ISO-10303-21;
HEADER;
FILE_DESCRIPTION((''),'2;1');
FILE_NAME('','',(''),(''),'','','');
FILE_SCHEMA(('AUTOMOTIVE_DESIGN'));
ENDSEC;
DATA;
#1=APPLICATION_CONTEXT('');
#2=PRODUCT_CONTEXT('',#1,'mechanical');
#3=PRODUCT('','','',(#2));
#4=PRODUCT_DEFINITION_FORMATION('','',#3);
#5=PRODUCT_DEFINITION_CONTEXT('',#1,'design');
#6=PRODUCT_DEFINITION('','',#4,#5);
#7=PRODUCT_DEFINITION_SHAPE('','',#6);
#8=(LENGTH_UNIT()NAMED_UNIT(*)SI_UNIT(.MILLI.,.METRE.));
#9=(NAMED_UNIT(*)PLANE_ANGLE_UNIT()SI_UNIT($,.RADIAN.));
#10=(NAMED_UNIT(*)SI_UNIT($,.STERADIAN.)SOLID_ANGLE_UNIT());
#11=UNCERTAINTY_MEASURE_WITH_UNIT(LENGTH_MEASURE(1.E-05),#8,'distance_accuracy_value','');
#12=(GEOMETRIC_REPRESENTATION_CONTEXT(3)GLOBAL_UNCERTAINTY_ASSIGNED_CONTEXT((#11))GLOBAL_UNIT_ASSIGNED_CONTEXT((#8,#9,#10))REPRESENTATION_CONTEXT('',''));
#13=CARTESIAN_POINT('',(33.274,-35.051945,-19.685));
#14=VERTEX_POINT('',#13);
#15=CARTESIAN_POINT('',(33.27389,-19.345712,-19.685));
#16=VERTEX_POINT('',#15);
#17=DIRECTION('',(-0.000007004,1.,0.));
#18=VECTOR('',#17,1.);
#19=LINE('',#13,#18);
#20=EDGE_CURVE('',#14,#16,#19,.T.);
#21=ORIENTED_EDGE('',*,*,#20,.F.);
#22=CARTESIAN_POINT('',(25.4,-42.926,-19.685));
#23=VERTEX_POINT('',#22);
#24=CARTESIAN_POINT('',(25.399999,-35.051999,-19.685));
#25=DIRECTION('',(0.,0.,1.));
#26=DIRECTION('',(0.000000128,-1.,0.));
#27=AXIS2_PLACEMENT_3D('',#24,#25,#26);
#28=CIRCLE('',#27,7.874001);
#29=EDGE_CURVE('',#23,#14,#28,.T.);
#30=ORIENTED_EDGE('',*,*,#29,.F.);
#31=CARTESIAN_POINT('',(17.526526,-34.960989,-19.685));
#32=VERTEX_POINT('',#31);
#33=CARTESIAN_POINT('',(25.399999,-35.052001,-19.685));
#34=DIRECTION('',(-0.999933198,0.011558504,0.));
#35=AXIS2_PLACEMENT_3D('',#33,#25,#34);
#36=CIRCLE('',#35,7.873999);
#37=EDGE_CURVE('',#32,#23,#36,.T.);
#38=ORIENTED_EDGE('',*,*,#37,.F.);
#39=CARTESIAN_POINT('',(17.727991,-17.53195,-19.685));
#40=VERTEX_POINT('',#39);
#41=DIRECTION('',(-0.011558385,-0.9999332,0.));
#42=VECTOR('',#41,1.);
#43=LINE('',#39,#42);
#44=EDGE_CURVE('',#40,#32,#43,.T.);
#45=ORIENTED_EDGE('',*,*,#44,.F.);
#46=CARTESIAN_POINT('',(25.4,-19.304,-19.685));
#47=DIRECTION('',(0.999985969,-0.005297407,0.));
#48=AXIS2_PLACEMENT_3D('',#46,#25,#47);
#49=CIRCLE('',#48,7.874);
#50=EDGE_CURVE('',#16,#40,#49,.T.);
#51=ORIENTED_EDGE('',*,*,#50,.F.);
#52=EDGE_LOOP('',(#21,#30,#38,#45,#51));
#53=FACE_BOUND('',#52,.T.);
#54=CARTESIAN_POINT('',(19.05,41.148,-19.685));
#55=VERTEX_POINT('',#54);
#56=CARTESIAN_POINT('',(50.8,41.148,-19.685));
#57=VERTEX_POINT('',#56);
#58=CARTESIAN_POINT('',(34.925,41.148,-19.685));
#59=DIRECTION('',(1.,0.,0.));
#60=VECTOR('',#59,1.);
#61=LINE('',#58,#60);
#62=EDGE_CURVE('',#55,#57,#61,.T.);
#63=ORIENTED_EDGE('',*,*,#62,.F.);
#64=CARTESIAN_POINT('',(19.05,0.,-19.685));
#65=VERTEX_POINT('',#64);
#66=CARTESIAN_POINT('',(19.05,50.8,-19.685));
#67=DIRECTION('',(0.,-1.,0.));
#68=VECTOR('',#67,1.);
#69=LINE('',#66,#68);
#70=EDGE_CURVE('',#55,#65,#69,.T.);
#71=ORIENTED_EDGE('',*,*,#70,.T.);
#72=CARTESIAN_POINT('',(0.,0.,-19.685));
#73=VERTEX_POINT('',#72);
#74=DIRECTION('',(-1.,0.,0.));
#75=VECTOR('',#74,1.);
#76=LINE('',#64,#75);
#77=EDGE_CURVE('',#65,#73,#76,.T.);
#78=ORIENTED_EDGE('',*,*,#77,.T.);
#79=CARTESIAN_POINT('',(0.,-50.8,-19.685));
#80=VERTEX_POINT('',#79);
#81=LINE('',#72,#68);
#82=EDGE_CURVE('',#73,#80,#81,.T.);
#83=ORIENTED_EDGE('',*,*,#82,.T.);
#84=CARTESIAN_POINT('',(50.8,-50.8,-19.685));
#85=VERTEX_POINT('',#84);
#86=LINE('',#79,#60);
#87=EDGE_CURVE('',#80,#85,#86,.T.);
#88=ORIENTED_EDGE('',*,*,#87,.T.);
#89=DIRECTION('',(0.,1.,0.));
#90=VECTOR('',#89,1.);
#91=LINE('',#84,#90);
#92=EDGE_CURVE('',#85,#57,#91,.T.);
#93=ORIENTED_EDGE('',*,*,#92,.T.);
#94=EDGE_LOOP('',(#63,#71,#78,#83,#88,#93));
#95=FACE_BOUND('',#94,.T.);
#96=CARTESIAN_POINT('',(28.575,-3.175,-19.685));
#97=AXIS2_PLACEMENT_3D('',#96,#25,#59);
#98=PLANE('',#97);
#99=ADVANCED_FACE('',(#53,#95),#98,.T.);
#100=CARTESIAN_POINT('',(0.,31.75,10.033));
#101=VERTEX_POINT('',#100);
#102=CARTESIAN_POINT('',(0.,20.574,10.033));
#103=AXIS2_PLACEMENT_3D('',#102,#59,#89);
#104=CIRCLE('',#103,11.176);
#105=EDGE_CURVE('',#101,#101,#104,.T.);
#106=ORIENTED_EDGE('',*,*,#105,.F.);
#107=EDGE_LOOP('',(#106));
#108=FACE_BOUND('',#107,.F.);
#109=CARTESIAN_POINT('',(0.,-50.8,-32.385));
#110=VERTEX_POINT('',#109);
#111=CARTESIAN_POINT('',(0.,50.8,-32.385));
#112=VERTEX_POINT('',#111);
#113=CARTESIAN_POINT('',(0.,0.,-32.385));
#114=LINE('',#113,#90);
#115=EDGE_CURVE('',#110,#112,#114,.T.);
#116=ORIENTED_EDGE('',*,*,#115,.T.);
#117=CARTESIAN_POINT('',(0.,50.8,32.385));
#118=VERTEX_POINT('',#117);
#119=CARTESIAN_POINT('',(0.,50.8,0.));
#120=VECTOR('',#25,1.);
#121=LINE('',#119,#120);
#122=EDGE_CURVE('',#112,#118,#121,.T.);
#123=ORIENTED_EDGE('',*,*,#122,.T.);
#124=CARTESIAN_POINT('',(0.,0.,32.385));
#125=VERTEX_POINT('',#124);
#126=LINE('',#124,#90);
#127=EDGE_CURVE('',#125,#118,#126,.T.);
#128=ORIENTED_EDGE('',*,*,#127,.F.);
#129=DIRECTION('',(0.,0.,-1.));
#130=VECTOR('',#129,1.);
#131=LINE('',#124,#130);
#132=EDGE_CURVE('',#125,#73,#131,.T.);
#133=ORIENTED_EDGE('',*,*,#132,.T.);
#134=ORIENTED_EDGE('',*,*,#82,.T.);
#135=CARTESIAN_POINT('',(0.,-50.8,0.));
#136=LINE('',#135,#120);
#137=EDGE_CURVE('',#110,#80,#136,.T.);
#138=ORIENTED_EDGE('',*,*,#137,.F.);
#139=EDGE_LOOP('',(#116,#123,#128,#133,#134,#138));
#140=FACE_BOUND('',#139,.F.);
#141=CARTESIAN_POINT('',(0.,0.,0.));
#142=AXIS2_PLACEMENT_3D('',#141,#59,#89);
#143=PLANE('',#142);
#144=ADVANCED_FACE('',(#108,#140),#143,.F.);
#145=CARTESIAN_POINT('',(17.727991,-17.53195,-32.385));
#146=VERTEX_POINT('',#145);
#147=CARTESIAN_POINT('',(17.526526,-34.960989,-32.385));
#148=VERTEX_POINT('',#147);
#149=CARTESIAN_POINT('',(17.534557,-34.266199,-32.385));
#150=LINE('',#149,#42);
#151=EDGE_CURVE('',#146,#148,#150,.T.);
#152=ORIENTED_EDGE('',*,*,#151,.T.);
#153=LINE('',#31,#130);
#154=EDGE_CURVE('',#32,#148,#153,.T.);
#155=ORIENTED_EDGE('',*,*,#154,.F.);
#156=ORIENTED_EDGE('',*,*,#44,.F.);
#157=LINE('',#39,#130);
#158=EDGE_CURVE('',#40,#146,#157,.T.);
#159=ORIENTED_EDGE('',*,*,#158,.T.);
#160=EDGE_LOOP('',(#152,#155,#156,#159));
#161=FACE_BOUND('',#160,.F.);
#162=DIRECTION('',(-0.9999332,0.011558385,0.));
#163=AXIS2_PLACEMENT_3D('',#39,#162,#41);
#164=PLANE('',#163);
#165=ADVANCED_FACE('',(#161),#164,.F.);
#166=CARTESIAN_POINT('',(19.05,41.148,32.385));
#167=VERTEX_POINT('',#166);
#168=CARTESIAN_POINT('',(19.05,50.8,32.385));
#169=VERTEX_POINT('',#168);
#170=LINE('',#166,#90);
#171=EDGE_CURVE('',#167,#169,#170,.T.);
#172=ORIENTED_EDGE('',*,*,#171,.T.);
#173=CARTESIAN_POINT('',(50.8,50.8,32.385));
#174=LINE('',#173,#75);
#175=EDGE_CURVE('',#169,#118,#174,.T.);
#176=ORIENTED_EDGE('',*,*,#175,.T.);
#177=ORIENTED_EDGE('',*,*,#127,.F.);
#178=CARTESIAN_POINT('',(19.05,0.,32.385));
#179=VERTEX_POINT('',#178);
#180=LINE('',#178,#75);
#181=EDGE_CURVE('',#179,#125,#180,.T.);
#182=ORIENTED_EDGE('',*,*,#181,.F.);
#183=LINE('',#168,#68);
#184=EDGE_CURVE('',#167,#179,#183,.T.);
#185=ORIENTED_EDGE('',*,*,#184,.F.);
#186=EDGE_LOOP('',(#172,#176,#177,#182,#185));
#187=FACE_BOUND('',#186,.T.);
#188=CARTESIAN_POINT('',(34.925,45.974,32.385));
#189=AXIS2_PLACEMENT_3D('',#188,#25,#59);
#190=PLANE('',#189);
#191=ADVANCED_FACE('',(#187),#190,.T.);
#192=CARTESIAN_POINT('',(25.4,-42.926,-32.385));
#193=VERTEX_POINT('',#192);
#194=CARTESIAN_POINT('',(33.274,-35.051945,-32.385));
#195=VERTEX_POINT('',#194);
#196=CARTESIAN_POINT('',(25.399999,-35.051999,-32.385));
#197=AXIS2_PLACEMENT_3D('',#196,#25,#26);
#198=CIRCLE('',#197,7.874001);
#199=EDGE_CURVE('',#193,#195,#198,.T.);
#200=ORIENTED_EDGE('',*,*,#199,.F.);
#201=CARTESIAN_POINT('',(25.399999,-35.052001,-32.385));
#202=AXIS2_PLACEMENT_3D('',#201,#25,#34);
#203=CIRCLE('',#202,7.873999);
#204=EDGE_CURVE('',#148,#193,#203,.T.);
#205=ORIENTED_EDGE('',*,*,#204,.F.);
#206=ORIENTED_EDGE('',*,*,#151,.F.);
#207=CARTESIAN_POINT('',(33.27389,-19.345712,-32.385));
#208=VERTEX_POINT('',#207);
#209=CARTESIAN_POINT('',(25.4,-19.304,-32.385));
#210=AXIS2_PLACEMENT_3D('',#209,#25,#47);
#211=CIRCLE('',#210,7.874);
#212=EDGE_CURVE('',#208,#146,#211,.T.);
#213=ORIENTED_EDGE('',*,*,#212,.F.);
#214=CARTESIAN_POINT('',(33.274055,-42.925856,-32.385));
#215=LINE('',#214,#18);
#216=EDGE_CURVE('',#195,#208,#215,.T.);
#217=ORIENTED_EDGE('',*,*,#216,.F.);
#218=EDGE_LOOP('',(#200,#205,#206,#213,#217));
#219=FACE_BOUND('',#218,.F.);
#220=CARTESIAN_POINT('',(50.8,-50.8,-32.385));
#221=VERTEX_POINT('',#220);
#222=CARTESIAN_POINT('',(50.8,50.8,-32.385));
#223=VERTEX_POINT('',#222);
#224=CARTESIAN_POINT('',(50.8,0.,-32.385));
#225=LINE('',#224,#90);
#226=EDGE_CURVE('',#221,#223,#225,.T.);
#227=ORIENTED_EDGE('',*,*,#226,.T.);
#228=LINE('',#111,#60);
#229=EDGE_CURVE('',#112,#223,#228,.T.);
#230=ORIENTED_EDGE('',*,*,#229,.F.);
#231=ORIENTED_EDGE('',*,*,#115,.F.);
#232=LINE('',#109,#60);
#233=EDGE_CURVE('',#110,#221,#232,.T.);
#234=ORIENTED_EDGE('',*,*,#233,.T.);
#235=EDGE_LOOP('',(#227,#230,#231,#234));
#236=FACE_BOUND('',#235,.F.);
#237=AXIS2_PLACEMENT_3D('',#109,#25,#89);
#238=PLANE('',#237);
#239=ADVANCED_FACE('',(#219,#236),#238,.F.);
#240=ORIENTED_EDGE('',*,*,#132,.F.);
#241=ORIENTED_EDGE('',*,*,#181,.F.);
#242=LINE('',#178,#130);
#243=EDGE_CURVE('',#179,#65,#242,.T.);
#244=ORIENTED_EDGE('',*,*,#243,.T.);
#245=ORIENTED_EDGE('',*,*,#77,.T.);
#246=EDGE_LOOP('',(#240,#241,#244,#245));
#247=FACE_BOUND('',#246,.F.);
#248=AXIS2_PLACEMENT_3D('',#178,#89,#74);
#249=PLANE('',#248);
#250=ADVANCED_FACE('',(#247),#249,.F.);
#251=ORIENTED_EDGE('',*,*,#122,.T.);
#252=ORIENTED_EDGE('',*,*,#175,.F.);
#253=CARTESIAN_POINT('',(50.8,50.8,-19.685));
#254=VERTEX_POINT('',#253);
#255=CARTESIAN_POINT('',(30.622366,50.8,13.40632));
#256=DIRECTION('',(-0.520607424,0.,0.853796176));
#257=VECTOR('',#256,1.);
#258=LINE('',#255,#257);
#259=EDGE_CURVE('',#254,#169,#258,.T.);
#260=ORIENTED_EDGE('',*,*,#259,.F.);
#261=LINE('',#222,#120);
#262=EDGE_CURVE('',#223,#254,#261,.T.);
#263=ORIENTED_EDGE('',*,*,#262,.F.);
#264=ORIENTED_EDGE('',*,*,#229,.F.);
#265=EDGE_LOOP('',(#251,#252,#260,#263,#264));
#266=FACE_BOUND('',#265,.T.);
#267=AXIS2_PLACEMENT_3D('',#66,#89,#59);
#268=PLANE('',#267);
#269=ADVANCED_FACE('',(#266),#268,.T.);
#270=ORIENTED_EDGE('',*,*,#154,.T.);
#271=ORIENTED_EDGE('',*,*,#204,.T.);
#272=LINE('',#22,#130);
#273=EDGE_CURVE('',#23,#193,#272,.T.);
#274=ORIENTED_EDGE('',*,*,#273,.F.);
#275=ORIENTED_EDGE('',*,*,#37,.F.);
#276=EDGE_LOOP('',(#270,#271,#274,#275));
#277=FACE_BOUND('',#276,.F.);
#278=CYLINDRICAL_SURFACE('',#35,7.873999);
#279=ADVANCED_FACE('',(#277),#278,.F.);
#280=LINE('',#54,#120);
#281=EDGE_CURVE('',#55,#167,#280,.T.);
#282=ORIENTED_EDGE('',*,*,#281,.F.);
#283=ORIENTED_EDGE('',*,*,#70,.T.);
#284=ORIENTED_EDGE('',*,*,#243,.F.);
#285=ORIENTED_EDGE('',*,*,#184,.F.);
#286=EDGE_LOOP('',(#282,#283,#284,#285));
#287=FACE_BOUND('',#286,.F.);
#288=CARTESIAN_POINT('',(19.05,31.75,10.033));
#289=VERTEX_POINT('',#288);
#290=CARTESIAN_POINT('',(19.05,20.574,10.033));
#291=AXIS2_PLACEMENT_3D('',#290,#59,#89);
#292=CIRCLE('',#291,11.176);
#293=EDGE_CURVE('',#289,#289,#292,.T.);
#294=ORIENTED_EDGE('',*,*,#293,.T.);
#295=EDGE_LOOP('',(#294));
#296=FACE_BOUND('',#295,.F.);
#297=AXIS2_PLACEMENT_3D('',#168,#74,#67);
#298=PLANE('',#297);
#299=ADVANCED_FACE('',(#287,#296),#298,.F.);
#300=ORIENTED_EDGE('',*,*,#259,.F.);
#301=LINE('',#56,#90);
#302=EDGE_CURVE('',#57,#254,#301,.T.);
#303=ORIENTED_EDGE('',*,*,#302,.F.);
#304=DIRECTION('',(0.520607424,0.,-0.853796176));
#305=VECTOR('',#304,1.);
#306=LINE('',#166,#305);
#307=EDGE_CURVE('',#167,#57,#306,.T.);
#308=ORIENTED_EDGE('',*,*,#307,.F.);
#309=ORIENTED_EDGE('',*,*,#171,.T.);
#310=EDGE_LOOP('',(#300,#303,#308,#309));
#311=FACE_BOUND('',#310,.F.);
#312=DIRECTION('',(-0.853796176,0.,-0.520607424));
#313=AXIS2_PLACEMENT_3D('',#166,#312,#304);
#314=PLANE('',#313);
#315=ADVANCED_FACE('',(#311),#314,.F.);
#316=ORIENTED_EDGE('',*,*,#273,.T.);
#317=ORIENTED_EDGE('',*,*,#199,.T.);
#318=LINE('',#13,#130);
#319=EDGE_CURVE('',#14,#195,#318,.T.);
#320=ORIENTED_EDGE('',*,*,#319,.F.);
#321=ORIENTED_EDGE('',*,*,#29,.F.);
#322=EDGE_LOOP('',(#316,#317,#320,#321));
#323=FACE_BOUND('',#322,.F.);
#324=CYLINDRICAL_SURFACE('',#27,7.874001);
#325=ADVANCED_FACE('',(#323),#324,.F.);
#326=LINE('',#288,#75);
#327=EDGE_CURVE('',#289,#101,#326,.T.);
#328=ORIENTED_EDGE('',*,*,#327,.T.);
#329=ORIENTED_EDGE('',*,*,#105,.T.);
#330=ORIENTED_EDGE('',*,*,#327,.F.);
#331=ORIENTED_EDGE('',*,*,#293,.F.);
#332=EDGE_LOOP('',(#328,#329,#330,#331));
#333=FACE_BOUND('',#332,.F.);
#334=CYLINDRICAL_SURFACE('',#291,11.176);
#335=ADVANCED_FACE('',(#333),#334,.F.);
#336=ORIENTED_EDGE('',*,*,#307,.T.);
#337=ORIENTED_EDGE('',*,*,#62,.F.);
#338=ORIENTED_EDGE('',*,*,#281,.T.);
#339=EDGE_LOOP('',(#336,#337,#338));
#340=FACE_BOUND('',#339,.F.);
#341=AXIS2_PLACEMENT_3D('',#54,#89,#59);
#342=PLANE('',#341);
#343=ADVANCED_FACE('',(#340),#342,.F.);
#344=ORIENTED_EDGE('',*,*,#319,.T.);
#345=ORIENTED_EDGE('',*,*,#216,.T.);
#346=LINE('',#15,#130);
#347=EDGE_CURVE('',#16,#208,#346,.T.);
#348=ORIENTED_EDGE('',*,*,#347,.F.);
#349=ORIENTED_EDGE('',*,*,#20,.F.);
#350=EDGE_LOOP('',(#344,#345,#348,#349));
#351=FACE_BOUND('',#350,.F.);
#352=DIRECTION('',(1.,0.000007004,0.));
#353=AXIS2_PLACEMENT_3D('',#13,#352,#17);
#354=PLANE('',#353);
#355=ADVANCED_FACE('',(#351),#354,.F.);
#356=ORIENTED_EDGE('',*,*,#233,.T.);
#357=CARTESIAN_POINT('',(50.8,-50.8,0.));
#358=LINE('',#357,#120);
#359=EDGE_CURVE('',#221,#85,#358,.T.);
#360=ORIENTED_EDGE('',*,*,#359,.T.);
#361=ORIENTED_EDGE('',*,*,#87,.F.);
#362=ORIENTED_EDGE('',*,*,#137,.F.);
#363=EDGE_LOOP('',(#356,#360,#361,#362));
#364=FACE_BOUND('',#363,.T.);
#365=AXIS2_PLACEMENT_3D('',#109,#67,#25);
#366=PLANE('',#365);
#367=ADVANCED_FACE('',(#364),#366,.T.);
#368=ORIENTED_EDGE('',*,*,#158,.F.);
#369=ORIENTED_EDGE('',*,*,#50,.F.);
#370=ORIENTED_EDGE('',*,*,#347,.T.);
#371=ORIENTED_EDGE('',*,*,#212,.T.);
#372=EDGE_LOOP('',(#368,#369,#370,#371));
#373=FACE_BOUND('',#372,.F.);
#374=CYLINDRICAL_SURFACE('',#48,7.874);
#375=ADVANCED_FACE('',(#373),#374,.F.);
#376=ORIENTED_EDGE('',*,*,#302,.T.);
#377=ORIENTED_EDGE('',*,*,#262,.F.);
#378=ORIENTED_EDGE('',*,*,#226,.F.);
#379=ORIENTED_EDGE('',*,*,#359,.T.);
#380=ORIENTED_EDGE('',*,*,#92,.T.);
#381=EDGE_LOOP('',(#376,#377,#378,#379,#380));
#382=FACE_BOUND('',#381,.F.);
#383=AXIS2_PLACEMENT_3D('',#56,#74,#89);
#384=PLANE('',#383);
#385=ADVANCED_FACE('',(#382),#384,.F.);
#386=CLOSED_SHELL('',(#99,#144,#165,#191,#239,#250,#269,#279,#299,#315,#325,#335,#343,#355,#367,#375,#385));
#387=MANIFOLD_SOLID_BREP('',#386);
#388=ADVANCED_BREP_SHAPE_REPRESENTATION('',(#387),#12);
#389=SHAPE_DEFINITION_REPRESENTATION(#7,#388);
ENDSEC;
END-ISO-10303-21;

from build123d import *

# Parameters (mm, degrees)
F0_W      = 101.6
F0_H      = 64.77
F1_DEPTH  = 50.8
F3_DEPTH  = 52.07
F4_R      = 11.176
F5_DEPTH  = 19.051
F6_W      = 31.75
F6_H      = 9.652
F7_DEPTH  = 52.07
F9_DEPTH  = 9.653
F11_DEPTH = 12.701


with BuildPart() as f1:
    # F0 (on Right) → F1 (new body)
    with BuildSketch(Plane.YZ):
        Rectangle(F0_W, F0_H)
    extrude(amount=F1_DEPTH)

    # F2 (on face) → F3 (cut)
    with BuildSketch(Plane.XY.offset(32.385)):
        Polygon((19.05, 0), (0, 0), (0, -50.8), (50.8, -50.8), (50.8, 50.8), (19.05, 50.8), align=None)
    extrude(amount=-F3_DEPTH, mode=Mode.SUBTRACT)

    # F4 (on face) → F5 (cut, through all)
    with BuildSketch(Plane.YZ.offset(19.05)):
        with Locations((20.574, 10.033)):
            Circle(F4_R)
    extrude(amount=-F5_DEPTH, mode=Mode.SUBTRACT)

    # F6 (on face) → F7 (join)
    with BuildSketch(Plane.XY.offset(-19.685)):
        with Locations((34.925, 45.974)):
            Rectangle(F6_W, F6_H)
    extrude(amount=F7_DEPTH)

    # F8 (on face) → F9 (cut, through all)
    with BuildSketch(Plane.XZ.offset(-41.148)):
        Polygon((50.8, 32.385), (19.05, 32.385), (50.8, -19.685), align=None)
    extrude(amount=-F9_DEPTH, mode=Mode.SUBTRACT)

    # F10 (on face) → F11 (cut, through all)
    with BuildSketch(Plane.XY.offset(-19.685)):
        with BuildLine():
            Line((17.727991, -17.53195), (17.526526, -34.960989))
            ThreePointArc((17.526526, -34.960989), (19.800156, -40.587488), (25.4, -42.926))
            ThreePointArc((25.4, -42.926), (30.967778, -40.619739), (33.274, -35.051945))
            Line((33.274, -35.051945), (33.27389, -19.345712))
            ThreePointArc((33.27389, -19.345712), (26.312481, -11.48305), (17.727991, -17.53195))
        make_face()
    extrude(amount=-F11_DEPTH, mode=Mode.SUBTRACT)


solid = f1.part
